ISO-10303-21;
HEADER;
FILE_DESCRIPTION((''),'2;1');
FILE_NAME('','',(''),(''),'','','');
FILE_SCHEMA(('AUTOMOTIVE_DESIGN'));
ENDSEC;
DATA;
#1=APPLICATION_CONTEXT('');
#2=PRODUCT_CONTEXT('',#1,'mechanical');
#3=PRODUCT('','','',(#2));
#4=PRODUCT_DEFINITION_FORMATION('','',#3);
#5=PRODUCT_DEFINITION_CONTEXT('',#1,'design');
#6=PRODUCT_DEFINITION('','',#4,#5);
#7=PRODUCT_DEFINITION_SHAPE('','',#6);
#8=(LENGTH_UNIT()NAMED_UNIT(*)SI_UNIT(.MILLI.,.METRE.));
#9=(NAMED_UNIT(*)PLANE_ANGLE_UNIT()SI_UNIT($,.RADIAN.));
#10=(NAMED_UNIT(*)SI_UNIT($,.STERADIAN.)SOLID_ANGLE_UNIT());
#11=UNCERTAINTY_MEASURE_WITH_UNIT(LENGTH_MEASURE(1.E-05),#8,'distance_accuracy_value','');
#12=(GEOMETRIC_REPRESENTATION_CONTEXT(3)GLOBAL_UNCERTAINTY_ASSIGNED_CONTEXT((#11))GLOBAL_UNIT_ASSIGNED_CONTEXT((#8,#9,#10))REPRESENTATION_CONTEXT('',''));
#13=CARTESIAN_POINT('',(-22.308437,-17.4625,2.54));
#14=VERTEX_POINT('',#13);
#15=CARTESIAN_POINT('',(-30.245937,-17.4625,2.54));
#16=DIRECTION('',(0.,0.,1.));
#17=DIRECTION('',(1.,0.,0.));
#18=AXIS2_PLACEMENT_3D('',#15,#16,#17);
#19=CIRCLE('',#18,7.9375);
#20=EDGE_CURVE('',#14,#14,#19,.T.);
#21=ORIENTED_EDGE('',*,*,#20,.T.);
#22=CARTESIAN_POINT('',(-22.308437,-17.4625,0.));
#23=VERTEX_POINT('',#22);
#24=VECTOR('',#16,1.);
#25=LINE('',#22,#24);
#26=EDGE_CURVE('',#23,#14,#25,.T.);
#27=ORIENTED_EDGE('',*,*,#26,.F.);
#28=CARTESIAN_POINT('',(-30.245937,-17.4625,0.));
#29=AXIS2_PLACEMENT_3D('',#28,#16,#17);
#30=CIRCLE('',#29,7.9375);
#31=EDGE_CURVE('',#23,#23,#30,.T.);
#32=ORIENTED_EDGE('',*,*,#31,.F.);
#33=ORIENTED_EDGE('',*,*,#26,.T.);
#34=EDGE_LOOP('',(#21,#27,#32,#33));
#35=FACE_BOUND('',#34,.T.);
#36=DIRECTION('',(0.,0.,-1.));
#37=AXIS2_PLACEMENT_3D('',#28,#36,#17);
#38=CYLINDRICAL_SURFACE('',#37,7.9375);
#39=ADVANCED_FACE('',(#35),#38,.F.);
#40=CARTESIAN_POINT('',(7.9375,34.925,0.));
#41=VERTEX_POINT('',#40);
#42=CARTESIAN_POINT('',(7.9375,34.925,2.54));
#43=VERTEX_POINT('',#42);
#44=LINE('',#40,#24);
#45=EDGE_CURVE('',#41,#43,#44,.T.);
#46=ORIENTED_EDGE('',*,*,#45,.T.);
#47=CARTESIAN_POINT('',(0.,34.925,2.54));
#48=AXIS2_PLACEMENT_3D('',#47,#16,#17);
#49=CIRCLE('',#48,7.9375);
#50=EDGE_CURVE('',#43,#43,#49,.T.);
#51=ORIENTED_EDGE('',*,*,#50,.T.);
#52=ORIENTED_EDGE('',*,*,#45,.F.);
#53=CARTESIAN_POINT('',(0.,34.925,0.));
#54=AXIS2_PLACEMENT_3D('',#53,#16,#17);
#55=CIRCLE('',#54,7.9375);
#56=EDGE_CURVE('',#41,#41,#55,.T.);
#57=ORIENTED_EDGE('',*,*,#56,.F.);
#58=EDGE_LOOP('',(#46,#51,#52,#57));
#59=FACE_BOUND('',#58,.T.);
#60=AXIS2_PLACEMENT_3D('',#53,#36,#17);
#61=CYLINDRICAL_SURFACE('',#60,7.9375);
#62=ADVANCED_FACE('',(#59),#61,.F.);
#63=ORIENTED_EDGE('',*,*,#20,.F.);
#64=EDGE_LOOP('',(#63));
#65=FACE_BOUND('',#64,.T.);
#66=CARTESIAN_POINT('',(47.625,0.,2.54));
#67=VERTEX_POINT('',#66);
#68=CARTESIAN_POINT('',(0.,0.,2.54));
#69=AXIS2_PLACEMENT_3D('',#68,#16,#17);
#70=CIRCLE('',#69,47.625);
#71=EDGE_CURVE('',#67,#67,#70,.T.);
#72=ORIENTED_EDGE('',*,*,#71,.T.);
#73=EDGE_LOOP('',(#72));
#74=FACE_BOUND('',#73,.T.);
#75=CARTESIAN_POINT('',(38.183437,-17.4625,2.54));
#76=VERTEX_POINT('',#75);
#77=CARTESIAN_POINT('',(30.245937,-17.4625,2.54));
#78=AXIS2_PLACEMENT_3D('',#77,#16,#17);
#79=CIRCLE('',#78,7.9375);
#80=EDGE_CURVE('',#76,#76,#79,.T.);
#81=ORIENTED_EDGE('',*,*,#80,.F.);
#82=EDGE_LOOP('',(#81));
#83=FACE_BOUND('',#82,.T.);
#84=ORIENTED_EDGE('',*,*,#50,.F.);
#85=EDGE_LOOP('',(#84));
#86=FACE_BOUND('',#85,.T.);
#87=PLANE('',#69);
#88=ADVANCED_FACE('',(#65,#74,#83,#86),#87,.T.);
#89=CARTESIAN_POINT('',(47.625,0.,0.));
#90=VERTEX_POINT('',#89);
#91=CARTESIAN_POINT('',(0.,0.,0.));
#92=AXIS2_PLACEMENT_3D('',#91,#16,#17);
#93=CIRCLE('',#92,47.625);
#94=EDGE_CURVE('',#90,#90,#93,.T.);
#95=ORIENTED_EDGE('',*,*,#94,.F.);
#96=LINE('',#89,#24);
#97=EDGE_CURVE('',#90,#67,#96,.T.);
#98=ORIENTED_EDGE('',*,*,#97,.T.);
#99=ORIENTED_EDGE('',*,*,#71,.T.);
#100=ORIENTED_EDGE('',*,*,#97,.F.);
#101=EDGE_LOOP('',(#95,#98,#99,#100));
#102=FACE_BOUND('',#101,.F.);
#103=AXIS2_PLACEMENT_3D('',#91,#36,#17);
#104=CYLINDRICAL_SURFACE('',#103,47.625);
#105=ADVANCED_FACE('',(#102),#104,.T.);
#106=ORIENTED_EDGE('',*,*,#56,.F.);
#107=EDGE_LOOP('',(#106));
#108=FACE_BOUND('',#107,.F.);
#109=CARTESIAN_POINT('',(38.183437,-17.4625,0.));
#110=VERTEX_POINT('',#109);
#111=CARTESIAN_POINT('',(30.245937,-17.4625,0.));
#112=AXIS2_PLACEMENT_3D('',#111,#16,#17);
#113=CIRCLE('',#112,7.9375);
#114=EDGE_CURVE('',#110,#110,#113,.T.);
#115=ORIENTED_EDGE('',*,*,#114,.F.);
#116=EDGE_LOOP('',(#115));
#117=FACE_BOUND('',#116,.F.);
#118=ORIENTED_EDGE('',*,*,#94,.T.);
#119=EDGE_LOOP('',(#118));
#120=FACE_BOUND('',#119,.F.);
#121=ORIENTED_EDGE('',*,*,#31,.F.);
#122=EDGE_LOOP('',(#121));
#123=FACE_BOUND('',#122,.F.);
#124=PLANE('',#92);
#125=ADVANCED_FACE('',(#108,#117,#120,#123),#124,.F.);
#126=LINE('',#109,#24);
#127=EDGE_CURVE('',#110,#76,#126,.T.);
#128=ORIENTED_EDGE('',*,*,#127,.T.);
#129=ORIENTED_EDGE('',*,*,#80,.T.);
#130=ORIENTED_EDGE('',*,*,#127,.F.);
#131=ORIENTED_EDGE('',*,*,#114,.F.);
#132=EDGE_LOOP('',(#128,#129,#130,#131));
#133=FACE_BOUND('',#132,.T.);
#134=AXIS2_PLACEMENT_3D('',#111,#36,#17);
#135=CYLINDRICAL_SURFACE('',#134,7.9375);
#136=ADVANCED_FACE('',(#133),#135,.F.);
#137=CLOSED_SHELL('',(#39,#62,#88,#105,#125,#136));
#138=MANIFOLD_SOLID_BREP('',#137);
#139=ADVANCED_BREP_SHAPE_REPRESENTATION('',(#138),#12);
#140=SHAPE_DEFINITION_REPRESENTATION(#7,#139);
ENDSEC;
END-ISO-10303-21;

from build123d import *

# Parameters (mm, degrees)
F0_R     = 47.625
F0_R_2   = 7.9375
F1_DEPTH = 2.54


with BuildPart() as f1:
    # F0 (on Top) → F1 (new body)
    with BuildSketch(Plane.XY):
        Circle(F0_R)
        with Locations((-30.245937, -17.4625)):
            Circle(F0_R_2, mode=Mode.SUBTRACT)
        with Locations((30.245937, -17.4625)):
            Circle(F0_R_2, mode=Mode.SUBTRACT)
        with Locations((0, 34.925)):
            Circle(F0_R_2, mode=Mode.SUBTRACT)
    extrude(amount=F1_DEPTH)


solid = f1.part
